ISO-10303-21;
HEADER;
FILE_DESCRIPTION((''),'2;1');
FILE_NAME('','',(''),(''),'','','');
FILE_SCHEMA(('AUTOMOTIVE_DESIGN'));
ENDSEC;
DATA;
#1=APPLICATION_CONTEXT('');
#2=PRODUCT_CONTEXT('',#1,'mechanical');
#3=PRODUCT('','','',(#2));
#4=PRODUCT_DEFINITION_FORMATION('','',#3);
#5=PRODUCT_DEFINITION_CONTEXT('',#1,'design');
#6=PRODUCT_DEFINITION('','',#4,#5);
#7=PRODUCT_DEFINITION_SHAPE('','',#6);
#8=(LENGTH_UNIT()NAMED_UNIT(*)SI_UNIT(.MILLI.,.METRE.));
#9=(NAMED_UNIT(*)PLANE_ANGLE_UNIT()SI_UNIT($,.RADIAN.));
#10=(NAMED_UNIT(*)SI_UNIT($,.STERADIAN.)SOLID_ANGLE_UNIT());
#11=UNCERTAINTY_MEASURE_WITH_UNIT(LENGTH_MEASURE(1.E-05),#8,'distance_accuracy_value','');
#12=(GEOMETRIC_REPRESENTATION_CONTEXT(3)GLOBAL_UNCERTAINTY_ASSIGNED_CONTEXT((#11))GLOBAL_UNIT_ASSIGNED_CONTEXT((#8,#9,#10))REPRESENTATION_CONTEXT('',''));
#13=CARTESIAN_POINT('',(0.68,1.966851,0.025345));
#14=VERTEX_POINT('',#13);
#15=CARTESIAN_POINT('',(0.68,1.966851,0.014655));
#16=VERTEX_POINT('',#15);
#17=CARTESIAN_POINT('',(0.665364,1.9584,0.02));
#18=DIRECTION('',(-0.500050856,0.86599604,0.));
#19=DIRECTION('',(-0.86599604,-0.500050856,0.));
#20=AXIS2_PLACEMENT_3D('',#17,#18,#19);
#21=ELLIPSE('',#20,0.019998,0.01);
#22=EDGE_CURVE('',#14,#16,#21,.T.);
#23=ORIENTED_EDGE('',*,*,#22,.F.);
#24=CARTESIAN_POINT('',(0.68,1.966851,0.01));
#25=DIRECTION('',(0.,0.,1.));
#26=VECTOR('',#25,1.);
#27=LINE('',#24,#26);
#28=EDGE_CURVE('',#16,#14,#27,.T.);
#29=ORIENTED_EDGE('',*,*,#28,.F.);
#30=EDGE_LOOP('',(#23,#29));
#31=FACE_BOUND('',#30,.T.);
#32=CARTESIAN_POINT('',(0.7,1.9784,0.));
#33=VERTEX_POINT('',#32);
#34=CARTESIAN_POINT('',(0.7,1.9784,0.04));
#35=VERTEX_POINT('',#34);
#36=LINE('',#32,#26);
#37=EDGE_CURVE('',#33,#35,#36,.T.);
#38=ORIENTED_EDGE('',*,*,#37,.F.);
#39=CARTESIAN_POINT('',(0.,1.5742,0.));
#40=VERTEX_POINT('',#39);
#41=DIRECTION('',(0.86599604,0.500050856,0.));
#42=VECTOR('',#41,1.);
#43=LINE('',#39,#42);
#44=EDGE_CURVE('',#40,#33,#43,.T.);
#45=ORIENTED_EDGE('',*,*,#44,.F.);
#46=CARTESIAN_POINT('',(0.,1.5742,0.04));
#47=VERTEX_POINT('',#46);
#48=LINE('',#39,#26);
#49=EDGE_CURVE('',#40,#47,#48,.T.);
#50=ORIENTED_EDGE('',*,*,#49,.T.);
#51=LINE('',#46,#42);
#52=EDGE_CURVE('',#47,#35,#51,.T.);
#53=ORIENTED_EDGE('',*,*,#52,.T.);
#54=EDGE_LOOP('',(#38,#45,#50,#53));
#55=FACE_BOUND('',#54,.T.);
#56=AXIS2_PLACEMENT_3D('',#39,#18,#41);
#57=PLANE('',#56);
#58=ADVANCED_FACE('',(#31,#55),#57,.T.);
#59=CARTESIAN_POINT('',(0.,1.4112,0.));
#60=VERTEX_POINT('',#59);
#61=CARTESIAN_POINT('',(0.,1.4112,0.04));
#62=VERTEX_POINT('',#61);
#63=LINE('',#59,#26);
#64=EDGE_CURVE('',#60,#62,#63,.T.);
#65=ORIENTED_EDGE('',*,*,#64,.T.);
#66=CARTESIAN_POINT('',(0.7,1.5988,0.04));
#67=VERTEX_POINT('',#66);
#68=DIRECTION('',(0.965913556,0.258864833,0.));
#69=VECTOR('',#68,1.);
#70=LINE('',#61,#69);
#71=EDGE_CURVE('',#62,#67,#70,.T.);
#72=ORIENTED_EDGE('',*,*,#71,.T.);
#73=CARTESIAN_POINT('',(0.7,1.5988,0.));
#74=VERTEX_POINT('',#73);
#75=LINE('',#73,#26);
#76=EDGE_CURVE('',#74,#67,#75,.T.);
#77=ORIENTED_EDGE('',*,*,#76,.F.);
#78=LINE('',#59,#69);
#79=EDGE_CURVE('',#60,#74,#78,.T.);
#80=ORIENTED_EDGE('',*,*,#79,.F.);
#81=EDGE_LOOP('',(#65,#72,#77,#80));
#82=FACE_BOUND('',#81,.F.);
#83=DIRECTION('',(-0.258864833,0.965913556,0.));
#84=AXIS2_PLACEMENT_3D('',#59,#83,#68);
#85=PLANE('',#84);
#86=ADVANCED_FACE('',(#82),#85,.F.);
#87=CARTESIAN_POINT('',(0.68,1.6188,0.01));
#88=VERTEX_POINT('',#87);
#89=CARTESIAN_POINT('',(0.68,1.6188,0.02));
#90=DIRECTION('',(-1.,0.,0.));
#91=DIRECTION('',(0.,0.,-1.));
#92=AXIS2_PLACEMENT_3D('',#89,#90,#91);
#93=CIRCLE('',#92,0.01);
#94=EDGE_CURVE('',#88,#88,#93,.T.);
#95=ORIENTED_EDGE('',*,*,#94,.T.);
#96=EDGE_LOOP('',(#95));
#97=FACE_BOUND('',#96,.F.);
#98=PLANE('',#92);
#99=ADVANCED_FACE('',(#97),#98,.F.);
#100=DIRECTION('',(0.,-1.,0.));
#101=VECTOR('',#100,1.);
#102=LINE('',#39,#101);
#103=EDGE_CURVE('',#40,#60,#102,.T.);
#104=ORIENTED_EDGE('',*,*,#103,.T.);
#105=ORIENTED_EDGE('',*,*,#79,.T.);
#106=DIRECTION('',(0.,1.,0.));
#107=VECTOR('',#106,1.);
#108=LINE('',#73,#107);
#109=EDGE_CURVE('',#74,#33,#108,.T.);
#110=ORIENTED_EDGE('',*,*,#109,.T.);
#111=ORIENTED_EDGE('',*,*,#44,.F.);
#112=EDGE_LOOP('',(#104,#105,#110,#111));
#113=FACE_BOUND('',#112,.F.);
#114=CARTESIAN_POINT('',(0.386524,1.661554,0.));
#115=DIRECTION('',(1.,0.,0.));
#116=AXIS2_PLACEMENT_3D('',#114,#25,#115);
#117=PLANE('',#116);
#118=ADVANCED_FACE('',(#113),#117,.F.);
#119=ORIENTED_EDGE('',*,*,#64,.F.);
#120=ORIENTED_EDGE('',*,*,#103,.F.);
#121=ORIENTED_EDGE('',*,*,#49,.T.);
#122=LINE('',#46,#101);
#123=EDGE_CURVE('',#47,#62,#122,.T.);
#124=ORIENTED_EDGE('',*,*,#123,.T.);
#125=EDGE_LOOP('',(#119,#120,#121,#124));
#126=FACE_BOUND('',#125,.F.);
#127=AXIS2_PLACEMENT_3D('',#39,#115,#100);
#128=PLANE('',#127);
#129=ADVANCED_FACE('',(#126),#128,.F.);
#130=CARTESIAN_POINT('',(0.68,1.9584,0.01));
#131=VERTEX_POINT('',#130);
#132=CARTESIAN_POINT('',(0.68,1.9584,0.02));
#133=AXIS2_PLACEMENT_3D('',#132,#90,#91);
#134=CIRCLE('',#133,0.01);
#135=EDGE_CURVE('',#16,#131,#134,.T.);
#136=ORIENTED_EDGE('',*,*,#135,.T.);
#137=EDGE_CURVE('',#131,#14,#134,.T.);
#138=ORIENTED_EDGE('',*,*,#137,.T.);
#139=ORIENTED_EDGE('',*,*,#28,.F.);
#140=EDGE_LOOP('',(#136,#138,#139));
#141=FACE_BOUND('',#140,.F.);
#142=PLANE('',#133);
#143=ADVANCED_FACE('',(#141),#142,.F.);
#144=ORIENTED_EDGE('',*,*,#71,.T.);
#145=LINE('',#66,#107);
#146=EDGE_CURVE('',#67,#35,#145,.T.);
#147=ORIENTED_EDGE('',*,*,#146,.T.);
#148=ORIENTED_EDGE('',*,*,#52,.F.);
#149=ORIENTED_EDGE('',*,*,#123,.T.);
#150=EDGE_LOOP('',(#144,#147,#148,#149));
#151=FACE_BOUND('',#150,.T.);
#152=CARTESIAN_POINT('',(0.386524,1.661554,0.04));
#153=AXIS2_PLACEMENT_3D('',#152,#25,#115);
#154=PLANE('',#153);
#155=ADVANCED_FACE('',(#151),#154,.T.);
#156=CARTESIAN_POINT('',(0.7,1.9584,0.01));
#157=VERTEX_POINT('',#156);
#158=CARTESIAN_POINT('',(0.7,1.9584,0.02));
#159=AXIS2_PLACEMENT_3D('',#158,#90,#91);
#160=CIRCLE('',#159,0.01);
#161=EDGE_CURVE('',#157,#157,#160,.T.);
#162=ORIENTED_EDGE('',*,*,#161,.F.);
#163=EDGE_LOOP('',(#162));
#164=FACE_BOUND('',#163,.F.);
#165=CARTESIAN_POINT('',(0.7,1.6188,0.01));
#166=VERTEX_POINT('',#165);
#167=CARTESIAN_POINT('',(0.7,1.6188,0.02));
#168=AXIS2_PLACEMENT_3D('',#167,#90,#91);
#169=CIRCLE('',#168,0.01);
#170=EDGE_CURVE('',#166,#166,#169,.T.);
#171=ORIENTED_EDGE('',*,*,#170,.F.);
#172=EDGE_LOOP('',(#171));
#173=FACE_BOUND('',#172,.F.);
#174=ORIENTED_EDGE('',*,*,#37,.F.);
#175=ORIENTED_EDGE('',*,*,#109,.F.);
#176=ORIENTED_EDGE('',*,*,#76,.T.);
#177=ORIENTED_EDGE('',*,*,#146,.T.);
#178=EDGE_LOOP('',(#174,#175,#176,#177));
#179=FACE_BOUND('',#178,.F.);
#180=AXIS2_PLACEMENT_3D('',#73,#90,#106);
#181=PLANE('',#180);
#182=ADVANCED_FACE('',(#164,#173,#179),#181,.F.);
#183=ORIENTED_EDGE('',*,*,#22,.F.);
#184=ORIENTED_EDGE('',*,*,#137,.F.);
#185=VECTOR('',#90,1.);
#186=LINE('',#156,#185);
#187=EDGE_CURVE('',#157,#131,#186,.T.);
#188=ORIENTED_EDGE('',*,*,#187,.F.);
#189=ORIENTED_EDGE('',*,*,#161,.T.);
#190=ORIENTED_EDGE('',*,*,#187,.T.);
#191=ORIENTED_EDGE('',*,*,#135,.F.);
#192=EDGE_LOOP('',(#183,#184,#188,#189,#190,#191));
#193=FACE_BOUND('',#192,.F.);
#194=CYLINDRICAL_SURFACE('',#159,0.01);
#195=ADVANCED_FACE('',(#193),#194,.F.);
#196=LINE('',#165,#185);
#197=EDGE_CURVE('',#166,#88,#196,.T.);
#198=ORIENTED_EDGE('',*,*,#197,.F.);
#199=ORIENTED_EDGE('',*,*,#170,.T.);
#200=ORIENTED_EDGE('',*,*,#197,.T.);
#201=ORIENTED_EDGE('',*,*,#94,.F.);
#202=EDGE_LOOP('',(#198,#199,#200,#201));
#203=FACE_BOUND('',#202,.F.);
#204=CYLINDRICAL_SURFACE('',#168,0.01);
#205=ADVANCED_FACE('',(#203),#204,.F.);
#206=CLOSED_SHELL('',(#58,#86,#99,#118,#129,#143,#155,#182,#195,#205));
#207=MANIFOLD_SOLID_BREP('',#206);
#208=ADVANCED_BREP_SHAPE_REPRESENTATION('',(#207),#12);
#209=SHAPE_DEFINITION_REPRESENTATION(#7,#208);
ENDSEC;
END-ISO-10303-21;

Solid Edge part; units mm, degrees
sketch "Sketch1" plane through (0, 0, 0) normal (0, 0, 1) x (1, 0, 0)
  line L0 (0, 1.5742) -> (0, 1.4112)
  line L1 (0, 1.4112) -> (0.7, 1.5988)
  line L2 (0.7, 1.5988) -> (0.7, 1.9784)
  line L3 (0, 1.5742) -> (0.7, 1.9784)
extrude "Protrusion1" add sketch "Sketch1" along normal blind 0.04
hole "Bohrung_7" at (0.7, 1.6188, 0.02) direction (-1, 0, 0) diameter 0.02 depth 0.02
hole "Hole1" at (0.7, 1.9584, 0.02) direction (-1, 0, 0) diameter 0.02 depth 0.02
